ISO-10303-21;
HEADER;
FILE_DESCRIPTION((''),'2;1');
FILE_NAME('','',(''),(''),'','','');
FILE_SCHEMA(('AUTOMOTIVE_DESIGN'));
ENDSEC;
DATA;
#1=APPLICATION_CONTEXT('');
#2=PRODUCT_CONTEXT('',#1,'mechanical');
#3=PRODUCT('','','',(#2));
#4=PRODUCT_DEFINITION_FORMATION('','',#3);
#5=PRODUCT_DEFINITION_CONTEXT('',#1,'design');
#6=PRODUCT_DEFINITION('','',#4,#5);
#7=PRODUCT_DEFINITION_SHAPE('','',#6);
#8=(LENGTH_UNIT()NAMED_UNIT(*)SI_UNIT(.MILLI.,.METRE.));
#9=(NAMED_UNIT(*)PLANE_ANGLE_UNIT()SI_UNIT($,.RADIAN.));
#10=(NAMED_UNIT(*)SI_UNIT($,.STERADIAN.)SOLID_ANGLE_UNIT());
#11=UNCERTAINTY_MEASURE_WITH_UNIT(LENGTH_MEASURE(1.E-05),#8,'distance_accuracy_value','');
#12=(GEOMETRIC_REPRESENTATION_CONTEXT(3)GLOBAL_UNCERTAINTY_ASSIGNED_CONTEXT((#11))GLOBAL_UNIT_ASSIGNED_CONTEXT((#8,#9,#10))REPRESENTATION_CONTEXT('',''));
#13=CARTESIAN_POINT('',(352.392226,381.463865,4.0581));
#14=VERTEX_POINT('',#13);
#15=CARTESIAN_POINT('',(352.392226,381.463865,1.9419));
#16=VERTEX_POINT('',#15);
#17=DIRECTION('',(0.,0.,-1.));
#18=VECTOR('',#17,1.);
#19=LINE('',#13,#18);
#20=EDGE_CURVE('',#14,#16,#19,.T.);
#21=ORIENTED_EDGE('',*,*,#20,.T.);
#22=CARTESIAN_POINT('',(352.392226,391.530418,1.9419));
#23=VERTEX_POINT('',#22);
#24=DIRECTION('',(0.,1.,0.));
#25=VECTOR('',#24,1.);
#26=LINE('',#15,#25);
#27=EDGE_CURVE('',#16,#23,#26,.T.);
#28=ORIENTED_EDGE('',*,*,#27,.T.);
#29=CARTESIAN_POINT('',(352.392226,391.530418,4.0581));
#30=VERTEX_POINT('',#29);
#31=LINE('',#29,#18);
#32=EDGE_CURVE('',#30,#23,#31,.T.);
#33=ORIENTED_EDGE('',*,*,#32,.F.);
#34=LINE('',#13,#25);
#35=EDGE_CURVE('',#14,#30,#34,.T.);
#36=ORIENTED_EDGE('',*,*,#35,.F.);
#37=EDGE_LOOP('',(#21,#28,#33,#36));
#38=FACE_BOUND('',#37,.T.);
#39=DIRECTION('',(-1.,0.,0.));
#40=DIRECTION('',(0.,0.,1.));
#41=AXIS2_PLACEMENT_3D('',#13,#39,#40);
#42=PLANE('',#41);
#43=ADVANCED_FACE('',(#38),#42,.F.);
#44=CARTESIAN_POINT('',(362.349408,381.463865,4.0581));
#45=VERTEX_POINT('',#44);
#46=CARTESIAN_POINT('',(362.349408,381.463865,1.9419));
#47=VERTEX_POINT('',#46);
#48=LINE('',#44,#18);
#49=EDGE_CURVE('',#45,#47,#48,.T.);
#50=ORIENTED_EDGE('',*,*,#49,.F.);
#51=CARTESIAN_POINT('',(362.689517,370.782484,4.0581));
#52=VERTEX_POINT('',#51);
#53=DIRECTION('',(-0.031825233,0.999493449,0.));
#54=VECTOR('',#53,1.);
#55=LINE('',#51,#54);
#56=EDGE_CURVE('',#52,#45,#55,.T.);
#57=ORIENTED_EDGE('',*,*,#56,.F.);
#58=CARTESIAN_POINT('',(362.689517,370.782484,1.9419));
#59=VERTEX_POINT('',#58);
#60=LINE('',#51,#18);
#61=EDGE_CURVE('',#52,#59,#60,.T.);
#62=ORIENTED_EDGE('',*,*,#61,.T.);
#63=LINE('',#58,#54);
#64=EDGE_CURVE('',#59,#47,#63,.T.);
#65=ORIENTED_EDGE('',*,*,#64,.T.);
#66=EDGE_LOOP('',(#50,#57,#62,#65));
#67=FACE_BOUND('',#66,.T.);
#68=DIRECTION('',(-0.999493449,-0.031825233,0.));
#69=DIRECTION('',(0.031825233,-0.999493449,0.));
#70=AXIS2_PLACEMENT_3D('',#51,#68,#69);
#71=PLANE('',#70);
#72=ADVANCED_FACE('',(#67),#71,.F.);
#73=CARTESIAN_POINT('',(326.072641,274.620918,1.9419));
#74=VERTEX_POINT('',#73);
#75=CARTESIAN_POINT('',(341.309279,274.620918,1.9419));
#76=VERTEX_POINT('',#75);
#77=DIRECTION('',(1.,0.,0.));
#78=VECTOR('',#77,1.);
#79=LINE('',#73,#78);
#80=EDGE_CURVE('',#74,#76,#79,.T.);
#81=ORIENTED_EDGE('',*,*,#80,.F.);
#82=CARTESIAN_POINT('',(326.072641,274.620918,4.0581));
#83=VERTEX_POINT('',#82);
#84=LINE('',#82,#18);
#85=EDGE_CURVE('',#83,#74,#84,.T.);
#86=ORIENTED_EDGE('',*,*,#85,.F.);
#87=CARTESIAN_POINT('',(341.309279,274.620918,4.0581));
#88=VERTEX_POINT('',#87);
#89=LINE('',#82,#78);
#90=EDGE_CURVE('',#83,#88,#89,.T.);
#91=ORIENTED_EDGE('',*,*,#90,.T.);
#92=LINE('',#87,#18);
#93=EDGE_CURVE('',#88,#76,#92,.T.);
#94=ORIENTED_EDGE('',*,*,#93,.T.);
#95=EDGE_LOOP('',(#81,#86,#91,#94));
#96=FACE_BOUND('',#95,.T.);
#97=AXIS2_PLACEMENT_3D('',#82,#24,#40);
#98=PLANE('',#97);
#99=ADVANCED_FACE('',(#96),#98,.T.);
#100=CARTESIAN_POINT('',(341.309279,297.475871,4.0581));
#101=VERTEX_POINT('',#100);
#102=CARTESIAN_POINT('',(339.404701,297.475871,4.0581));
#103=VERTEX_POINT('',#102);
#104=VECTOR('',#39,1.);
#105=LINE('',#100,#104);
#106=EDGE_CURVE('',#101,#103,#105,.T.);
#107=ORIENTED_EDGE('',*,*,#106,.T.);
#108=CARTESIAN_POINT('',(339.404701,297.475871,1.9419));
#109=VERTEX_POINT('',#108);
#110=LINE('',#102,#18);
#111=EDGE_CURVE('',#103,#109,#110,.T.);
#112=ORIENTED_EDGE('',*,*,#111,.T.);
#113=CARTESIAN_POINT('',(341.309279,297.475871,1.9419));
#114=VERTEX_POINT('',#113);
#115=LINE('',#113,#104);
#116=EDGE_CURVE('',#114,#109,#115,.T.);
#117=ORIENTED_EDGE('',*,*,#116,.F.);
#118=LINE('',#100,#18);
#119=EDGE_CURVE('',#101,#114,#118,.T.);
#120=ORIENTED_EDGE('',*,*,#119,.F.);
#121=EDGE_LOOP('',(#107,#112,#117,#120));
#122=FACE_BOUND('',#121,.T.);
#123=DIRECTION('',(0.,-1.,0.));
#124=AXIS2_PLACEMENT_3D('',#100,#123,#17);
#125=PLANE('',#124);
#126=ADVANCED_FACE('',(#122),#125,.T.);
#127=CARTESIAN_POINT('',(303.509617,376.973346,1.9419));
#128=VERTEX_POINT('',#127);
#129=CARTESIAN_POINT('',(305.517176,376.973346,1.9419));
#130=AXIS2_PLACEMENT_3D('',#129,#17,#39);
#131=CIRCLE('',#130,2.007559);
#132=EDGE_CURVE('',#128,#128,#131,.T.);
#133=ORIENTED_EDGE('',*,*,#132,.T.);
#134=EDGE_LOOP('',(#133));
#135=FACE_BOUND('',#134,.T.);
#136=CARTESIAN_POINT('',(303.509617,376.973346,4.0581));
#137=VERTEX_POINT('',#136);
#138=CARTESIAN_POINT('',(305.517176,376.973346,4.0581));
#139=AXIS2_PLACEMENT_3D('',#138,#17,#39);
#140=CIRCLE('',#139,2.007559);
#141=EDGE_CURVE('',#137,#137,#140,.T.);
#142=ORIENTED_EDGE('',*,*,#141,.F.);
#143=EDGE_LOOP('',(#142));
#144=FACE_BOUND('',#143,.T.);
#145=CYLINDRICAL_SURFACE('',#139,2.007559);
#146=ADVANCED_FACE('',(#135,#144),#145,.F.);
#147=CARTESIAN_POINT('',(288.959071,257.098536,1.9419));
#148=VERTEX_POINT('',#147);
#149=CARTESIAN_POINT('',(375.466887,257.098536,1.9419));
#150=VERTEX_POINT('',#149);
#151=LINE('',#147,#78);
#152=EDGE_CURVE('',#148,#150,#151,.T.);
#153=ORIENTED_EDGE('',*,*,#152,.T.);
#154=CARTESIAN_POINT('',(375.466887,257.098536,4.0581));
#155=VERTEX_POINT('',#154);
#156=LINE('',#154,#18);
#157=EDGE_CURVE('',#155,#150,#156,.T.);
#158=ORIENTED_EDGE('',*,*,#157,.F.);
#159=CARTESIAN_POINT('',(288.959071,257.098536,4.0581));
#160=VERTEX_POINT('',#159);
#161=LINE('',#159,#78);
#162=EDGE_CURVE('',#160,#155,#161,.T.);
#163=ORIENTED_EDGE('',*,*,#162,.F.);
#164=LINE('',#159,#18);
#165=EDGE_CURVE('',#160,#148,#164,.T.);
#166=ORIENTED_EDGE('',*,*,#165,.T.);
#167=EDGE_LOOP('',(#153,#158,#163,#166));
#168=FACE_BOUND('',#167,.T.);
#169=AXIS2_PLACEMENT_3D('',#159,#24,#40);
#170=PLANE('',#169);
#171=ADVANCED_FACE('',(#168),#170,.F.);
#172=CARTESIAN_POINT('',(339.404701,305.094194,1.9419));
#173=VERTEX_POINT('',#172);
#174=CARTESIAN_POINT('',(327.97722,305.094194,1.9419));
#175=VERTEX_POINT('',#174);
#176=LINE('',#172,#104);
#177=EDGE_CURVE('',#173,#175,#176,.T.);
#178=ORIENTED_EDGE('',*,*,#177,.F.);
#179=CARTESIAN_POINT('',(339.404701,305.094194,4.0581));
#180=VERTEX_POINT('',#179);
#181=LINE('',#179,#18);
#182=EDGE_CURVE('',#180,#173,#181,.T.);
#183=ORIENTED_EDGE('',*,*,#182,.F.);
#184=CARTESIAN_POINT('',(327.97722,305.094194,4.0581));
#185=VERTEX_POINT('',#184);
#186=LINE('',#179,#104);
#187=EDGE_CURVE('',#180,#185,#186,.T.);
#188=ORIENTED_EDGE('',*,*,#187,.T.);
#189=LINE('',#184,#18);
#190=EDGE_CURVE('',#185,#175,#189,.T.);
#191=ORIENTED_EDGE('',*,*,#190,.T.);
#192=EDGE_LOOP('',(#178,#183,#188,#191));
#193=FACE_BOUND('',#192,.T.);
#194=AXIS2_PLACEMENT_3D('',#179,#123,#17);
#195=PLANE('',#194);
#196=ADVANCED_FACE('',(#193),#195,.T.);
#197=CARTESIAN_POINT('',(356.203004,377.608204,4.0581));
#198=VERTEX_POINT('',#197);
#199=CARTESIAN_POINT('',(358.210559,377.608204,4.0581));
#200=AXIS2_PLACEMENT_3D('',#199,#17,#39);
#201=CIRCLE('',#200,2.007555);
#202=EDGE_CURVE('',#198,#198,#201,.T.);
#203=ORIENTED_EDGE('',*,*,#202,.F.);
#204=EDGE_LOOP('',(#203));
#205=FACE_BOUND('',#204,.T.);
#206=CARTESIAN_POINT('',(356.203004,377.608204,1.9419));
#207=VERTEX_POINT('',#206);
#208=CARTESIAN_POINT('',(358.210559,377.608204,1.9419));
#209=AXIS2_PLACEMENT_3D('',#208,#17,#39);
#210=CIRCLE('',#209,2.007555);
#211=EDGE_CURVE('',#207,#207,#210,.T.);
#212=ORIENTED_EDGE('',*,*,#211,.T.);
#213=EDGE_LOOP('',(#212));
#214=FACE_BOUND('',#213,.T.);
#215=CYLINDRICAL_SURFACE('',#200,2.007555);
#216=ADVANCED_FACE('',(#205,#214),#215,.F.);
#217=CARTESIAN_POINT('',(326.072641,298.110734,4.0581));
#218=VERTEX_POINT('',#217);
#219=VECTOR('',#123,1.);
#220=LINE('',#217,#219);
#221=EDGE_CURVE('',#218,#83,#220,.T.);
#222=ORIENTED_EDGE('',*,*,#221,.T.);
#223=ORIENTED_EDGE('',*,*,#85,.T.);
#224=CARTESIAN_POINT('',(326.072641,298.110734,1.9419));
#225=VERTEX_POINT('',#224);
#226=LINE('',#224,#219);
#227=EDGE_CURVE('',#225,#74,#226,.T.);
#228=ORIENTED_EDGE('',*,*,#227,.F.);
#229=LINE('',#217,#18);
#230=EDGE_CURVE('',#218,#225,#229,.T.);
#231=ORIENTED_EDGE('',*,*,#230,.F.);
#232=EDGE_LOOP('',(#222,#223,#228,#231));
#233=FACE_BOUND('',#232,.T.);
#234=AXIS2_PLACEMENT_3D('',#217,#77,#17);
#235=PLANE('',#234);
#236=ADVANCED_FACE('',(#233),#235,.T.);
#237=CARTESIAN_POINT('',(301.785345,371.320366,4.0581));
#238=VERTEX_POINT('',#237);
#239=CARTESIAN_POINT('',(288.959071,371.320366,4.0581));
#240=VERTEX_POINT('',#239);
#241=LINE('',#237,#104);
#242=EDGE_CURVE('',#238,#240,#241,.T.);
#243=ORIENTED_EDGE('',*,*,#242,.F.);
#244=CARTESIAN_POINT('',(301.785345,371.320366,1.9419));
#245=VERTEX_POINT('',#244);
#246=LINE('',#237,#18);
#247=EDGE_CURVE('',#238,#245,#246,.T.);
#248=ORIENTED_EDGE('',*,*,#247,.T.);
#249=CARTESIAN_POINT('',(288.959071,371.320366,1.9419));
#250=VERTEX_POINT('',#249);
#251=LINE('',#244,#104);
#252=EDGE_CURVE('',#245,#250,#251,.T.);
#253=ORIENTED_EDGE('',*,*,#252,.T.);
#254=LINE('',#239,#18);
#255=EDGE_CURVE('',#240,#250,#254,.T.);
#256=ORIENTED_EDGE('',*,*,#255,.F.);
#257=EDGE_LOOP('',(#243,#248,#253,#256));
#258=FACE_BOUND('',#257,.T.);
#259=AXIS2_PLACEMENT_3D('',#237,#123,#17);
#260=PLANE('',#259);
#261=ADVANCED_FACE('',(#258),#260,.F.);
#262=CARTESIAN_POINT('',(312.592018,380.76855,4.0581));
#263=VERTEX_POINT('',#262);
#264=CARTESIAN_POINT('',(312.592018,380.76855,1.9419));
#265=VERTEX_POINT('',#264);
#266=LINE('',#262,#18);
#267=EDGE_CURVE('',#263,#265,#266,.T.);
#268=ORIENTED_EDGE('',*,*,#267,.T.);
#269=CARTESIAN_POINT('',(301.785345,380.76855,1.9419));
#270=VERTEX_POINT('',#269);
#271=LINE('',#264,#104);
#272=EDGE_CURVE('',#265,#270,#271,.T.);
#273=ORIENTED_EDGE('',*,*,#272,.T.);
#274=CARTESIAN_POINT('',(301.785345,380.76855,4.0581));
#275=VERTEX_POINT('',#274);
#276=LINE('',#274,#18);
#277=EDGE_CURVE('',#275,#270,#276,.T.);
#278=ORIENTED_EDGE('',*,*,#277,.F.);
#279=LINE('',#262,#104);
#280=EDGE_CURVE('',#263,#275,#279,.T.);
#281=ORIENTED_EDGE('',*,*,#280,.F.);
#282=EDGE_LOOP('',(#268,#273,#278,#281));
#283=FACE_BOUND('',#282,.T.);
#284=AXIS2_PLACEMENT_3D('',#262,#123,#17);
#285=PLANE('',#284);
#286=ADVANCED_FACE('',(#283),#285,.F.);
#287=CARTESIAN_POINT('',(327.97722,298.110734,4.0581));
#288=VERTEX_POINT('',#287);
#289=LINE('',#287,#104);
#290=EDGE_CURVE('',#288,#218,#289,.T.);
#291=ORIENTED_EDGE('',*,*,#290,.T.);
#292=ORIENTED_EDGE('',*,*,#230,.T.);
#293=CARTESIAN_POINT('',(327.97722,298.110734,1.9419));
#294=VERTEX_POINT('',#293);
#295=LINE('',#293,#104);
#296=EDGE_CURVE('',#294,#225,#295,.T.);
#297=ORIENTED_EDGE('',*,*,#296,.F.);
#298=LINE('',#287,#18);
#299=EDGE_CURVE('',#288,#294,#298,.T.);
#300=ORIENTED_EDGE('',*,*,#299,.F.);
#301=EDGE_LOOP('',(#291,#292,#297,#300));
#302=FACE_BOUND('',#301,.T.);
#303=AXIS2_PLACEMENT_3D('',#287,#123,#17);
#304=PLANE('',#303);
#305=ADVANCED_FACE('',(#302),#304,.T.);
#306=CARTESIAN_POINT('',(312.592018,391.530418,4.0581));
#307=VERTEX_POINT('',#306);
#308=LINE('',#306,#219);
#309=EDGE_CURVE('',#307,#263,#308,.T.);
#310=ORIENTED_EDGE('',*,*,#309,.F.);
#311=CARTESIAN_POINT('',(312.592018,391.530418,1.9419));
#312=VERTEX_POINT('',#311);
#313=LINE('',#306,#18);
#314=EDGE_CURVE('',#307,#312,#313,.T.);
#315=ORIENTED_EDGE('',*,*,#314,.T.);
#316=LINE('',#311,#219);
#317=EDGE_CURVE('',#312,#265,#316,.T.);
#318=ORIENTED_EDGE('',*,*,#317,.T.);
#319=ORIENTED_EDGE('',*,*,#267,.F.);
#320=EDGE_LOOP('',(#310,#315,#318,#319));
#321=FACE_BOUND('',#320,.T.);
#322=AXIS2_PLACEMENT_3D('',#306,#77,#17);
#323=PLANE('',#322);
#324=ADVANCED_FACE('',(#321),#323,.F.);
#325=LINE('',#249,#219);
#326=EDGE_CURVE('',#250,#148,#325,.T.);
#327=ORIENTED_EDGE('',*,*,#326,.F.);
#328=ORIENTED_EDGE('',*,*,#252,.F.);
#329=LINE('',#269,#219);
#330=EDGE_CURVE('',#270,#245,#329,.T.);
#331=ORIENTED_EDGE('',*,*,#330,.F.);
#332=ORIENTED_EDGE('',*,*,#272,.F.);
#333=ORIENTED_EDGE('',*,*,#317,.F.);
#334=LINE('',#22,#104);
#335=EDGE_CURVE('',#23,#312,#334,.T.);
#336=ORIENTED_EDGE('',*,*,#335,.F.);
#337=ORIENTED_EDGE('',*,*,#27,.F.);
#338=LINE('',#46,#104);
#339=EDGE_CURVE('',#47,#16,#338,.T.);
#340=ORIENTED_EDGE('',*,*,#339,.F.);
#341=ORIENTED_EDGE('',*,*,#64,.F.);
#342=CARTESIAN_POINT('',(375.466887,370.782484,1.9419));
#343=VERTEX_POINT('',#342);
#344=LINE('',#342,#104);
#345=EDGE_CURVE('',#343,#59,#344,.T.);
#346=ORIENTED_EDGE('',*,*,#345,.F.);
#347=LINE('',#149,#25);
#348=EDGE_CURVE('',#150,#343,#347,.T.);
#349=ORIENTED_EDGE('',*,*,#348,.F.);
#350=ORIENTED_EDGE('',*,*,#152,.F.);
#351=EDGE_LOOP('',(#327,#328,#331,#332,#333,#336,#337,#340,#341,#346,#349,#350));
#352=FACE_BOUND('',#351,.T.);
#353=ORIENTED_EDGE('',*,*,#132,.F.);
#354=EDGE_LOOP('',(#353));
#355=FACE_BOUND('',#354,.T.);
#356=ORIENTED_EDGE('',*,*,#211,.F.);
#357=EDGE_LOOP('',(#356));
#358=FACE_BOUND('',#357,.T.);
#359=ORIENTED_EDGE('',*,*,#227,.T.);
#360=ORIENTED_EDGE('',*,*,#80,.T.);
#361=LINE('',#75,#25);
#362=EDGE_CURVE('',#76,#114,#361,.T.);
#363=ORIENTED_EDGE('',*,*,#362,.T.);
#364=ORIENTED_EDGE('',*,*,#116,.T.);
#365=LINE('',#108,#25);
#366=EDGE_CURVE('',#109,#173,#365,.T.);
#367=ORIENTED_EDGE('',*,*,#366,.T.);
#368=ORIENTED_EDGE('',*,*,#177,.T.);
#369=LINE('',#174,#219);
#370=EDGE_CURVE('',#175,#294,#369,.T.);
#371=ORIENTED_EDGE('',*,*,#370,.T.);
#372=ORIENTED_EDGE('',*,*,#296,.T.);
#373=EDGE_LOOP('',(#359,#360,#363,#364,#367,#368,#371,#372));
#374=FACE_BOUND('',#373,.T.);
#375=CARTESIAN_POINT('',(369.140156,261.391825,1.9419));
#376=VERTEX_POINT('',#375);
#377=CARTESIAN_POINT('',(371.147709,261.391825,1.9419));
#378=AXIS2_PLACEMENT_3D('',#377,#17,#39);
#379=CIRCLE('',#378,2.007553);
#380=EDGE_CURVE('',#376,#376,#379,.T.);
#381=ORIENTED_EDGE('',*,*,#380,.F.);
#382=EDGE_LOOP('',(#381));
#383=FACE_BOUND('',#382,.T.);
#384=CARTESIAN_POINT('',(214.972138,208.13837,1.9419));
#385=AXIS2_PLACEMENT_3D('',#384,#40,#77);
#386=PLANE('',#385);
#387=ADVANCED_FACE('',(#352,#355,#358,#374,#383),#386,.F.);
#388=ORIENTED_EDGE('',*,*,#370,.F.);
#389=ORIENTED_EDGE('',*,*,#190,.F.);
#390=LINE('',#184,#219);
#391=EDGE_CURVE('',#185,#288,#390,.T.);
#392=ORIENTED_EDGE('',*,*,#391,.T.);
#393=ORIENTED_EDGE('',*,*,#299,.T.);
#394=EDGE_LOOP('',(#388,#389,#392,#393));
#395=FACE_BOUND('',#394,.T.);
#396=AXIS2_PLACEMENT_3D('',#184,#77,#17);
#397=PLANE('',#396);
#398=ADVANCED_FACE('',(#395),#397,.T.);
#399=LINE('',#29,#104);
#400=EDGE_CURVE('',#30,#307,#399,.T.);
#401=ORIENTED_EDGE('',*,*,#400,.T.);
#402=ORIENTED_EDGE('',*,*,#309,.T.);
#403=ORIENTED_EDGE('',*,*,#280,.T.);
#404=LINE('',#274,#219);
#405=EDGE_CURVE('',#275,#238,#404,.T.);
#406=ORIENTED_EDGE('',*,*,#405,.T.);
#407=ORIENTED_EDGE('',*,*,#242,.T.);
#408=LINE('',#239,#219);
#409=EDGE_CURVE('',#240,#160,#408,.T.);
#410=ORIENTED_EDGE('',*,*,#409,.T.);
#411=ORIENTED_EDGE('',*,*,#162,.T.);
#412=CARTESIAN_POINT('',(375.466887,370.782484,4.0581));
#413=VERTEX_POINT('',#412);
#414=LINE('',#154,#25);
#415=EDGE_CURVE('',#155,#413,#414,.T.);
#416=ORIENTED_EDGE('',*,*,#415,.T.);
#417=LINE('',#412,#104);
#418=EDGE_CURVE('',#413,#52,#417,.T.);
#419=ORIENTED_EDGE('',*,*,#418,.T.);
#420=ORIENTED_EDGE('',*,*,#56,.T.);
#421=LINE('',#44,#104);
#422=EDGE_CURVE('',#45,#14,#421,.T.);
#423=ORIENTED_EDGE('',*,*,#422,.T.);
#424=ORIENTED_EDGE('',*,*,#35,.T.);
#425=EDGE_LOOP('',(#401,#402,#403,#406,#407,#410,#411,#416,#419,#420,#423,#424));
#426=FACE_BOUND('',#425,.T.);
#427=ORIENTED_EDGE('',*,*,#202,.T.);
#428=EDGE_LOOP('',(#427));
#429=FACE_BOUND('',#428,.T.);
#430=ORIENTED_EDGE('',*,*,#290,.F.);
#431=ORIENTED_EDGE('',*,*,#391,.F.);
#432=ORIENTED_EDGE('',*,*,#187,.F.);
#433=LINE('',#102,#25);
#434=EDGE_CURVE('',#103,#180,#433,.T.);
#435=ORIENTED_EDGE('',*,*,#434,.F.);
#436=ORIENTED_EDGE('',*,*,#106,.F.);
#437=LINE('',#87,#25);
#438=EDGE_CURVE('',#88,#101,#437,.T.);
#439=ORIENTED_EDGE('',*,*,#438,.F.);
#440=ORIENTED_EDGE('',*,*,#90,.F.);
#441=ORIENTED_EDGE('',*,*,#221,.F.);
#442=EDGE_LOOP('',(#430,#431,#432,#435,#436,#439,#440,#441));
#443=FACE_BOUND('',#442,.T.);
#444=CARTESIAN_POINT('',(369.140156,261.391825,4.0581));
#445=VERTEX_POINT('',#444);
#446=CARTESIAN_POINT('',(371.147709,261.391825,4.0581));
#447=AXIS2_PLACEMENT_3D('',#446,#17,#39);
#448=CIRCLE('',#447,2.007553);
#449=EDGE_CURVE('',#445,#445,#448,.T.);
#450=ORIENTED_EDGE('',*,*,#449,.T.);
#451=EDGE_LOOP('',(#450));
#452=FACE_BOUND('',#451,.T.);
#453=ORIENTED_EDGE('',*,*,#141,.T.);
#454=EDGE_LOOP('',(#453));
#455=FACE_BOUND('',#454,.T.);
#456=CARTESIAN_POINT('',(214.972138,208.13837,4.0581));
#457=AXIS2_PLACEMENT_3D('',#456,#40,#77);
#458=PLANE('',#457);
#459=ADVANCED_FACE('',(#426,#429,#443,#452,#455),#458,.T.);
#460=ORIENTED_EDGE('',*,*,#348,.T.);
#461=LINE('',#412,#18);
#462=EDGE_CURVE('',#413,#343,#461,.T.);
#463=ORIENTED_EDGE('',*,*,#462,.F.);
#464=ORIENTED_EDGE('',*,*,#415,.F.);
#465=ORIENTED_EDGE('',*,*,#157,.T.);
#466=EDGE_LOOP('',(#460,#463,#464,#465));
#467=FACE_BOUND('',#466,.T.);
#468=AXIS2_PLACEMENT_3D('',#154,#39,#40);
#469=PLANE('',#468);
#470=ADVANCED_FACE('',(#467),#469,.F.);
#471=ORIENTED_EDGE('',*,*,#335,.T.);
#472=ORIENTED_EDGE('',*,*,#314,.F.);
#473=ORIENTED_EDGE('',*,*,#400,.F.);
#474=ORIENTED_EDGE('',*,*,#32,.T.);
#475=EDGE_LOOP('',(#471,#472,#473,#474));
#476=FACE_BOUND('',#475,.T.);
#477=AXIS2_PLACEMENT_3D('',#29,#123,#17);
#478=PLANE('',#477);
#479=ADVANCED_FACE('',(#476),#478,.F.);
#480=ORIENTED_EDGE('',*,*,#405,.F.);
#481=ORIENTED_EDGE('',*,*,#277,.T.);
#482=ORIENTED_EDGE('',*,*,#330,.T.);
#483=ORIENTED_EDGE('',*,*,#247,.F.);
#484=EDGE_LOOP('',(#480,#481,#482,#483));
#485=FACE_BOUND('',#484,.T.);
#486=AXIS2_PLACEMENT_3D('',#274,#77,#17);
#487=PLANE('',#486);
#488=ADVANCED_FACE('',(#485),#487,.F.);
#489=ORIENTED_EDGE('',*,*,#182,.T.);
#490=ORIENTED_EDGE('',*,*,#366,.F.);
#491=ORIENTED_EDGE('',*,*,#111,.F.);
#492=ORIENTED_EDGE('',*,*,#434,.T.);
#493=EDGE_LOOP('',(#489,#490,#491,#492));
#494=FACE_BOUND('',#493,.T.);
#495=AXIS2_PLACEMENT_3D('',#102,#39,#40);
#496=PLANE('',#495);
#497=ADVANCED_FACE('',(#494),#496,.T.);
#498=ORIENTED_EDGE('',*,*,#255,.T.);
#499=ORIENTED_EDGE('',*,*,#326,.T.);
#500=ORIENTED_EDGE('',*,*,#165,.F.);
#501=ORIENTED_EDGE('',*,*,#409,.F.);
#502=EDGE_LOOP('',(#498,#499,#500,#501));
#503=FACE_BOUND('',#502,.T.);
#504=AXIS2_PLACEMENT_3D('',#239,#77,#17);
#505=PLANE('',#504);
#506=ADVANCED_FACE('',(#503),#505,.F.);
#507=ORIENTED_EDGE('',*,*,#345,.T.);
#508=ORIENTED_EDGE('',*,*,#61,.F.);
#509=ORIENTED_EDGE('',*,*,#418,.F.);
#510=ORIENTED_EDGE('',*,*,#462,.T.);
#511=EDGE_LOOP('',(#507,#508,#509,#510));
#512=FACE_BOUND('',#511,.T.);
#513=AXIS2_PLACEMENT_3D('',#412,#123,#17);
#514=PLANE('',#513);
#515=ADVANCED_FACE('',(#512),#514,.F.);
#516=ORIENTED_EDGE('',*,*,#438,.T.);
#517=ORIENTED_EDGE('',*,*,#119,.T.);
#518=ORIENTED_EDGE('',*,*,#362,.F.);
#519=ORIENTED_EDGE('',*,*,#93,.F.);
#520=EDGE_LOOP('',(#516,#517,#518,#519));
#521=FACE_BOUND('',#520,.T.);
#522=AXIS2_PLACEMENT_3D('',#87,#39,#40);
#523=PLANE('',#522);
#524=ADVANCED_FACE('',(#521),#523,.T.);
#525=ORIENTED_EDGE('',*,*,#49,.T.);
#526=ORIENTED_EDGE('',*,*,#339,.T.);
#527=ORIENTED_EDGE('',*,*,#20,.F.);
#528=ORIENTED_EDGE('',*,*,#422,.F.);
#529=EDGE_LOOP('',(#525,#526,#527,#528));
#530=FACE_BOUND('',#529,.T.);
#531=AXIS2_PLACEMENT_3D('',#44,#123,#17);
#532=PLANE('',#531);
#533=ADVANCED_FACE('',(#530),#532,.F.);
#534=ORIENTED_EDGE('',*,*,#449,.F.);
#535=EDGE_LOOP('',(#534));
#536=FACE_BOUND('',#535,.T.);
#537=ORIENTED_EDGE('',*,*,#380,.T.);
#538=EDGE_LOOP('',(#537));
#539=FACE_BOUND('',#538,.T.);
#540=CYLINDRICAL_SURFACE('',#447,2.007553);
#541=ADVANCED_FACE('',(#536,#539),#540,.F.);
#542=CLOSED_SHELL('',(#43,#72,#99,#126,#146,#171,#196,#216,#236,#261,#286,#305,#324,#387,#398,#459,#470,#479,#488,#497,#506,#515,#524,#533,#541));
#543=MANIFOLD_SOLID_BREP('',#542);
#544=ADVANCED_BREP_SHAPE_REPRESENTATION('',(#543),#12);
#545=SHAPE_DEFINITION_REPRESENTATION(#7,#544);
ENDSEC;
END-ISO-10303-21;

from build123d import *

# Parameters (mm, degrees)
BOSS_EXTRUDE1_DEPTH = 6
SKETCH9_R           = 5.691956205
SKETCH9_R_2         = 5.691972425
SKETCH9_R_3         = 5.691961612
CUT_EXTRUDE1_DEPTH  = 6
SCALE2_SCALE        = 0.3527


with BuildPart() as part:
    # Sketch8 → Boss-Extrude1 (new body)
    with BuildSketch(Plane.XY):
        Polygon((455.046069669, 138.815328461), (455.046069669, 461.140101754), (418.818767583, 461.140101754), (417.854464359, 491.424711157), (389.623159284, 491.424711157), (389.623159284, 519.966114473), (276.778792345, 519.966114473), (276.778792345, 489.453304052), (246.138948372, 489.453304052), (246.138948372, 462.665142262), (209.772989289, 462.665142262), (209.772989289, 138.815328461), align=None)
        Polygon((352.800007218, 274.896015056), (320.400005452, 274.896015056), (320.400005452, 255.096012775), (315.000008762, 255.096012775), (315.000008762, 188.496024764), (358.200003908, 188.496024764), (358.200003908, 253.29600667), (352.800007218, 253.29600667), align=None, mode=Mode.SUBTRACT)
    extrude(amount=BOSS_EXTRUDE1_DEPTH)

    # Sketch9 → Cut-Extrude1 (cut)
    with BuildSketch(Plane(origin=(0, 0, 0), x_dir=(-1, 0, 0), z_dir=(0, 0, -1))):
        with Locations((-442.800031348, 150.987964196)):
            Circle(SKETCH9_R)
        with Locations((-256.719699101, 478.692872416)):
            Circle(SKETCH9_R_2)
        with Locations((-406.119708447, 480.492867708)):
            Circle(SKETCH9_R_3)
    extrude(amount=-CUT_EXTRUDE1_DEPTH, mode=Mode.SUBTRACT)


with BuildPart() as part_1:
    # Scale2: scaled about (332.105882885, 321.548539841, 3)
    add(part.part.scale(SCALE2_SCALE).moved(Location((214.972137991, 208.138369839, 1.9419))))


solid = part_1.part
